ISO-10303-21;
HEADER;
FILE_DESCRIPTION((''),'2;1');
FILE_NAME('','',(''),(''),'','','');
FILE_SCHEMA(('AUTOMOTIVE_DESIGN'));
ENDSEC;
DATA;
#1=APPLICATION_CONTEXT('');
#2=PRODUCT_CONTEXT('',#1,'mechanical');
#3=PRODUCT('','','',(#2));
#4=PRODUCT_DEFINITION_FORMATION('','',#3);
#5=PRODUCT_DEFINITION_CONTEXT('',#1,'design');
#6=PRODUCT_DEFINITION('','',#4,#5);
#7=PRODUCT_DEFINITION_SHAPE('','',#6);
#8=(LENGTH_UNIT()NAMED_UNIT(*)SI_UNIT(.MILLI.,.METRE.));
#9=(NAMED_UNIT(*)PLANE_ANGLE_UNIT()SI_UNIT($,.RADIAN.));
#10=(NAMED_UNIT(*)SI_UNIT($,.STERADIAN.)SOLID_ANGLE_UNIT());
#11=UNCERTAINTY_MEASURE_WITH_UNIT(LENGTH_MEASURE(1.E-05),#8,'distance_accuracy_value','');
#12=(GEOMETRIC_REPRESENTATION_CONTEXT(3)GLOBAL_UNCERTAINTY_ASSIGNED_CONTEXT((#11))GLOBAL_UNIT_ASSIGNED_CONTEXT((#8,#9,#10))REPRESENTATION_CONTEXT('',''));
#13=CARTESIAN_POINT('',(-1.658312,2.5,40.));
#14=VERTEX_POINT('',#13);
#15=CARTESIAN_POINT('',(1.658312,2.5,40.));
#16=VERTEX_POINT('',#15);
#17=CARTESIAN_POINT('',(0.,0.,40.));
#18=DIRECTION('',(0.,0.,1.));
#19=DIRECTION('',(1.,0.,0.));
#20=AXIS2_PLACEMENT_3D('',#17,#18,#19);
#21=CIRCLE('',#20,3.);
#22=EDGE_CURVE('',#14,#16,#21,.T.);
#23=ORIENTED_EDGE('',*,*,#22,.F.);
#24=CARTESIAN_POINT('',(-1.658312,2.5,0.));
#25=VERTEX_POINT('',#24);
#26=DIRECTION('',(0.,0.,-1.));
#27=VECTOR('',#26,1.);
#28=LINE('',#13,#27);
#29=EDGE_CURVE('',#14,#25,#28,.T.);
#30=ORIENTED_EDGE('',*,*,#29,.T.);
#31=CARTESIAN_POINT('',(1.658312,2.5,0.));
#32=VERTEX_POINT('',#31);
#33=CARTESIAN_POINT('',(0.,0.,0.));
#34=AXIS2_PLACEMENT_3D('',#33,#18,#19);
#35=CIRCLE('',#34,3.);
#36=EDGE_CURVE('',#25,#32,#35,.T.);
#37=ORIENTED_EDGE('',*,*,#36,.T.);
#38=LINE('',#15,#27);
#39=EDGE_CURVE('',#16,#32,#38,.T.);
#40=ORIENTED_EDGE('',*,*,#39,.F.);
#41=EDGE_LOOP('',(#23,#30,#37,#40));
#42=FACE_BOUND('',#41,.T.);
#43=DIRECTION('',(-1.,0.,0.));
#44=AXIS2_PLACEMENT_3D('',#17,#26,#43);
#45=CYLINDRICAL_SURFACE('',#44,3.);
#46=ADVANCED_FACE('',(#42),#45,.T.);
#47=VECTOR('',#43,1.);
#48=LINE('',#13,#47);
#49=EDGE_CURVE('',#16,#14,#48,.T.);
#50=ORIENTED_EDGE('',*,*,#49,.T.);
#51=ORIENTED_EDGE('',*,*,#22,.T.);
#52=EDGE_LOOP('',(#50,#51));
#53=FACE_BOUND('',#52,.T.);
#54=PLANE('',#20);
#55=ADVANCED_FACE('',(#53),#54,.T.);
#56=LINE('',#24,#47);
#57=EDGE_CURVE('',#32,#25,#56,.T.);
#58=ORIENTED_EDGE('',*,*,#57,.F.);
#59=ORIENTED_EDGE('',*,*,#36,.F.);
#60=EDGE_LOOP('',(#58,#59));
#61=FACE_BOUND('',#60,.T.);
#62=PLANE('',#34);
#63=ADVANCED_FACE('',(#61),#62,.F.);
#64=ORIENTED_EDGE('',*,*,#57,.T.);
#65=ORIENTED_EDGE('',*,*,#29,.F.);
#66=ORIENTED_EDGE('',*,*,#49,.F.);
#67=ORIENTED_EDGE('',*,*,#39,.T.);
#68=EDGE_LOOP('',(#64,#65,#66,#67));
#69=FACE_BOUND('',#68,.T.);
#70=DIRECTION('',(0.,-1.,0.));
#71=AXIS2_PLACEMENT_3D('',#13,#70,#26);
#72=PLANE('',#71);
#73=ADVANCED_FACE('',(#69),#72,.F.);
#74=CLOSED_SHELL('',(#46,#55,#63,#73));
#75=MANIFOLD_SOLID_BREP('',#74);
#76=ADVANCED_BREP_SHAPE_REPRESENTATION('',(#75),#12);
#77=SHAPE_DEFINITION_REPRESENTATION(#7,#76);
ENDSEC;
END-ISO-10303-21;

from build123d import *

# Parameters (mm, degrees)
BOSS_EXTRUDE1_DEPTH = 40


with BuildPart() as part:
    # Sketch1 → Boss-Extrude1 (new body)
    with BuildSketch(Plane.XY):
        with BuildLine():
            Line((-1.658312395, 2.5), (1.658312395, 2.5))
            ThreePointArc((1.658312395, 2.5), (0, -3), (-1.658312395, 2.5))
        make_face()
    extrude(amount=BOSS_EXTRUDE1_DEPTH)


solid = part.part
